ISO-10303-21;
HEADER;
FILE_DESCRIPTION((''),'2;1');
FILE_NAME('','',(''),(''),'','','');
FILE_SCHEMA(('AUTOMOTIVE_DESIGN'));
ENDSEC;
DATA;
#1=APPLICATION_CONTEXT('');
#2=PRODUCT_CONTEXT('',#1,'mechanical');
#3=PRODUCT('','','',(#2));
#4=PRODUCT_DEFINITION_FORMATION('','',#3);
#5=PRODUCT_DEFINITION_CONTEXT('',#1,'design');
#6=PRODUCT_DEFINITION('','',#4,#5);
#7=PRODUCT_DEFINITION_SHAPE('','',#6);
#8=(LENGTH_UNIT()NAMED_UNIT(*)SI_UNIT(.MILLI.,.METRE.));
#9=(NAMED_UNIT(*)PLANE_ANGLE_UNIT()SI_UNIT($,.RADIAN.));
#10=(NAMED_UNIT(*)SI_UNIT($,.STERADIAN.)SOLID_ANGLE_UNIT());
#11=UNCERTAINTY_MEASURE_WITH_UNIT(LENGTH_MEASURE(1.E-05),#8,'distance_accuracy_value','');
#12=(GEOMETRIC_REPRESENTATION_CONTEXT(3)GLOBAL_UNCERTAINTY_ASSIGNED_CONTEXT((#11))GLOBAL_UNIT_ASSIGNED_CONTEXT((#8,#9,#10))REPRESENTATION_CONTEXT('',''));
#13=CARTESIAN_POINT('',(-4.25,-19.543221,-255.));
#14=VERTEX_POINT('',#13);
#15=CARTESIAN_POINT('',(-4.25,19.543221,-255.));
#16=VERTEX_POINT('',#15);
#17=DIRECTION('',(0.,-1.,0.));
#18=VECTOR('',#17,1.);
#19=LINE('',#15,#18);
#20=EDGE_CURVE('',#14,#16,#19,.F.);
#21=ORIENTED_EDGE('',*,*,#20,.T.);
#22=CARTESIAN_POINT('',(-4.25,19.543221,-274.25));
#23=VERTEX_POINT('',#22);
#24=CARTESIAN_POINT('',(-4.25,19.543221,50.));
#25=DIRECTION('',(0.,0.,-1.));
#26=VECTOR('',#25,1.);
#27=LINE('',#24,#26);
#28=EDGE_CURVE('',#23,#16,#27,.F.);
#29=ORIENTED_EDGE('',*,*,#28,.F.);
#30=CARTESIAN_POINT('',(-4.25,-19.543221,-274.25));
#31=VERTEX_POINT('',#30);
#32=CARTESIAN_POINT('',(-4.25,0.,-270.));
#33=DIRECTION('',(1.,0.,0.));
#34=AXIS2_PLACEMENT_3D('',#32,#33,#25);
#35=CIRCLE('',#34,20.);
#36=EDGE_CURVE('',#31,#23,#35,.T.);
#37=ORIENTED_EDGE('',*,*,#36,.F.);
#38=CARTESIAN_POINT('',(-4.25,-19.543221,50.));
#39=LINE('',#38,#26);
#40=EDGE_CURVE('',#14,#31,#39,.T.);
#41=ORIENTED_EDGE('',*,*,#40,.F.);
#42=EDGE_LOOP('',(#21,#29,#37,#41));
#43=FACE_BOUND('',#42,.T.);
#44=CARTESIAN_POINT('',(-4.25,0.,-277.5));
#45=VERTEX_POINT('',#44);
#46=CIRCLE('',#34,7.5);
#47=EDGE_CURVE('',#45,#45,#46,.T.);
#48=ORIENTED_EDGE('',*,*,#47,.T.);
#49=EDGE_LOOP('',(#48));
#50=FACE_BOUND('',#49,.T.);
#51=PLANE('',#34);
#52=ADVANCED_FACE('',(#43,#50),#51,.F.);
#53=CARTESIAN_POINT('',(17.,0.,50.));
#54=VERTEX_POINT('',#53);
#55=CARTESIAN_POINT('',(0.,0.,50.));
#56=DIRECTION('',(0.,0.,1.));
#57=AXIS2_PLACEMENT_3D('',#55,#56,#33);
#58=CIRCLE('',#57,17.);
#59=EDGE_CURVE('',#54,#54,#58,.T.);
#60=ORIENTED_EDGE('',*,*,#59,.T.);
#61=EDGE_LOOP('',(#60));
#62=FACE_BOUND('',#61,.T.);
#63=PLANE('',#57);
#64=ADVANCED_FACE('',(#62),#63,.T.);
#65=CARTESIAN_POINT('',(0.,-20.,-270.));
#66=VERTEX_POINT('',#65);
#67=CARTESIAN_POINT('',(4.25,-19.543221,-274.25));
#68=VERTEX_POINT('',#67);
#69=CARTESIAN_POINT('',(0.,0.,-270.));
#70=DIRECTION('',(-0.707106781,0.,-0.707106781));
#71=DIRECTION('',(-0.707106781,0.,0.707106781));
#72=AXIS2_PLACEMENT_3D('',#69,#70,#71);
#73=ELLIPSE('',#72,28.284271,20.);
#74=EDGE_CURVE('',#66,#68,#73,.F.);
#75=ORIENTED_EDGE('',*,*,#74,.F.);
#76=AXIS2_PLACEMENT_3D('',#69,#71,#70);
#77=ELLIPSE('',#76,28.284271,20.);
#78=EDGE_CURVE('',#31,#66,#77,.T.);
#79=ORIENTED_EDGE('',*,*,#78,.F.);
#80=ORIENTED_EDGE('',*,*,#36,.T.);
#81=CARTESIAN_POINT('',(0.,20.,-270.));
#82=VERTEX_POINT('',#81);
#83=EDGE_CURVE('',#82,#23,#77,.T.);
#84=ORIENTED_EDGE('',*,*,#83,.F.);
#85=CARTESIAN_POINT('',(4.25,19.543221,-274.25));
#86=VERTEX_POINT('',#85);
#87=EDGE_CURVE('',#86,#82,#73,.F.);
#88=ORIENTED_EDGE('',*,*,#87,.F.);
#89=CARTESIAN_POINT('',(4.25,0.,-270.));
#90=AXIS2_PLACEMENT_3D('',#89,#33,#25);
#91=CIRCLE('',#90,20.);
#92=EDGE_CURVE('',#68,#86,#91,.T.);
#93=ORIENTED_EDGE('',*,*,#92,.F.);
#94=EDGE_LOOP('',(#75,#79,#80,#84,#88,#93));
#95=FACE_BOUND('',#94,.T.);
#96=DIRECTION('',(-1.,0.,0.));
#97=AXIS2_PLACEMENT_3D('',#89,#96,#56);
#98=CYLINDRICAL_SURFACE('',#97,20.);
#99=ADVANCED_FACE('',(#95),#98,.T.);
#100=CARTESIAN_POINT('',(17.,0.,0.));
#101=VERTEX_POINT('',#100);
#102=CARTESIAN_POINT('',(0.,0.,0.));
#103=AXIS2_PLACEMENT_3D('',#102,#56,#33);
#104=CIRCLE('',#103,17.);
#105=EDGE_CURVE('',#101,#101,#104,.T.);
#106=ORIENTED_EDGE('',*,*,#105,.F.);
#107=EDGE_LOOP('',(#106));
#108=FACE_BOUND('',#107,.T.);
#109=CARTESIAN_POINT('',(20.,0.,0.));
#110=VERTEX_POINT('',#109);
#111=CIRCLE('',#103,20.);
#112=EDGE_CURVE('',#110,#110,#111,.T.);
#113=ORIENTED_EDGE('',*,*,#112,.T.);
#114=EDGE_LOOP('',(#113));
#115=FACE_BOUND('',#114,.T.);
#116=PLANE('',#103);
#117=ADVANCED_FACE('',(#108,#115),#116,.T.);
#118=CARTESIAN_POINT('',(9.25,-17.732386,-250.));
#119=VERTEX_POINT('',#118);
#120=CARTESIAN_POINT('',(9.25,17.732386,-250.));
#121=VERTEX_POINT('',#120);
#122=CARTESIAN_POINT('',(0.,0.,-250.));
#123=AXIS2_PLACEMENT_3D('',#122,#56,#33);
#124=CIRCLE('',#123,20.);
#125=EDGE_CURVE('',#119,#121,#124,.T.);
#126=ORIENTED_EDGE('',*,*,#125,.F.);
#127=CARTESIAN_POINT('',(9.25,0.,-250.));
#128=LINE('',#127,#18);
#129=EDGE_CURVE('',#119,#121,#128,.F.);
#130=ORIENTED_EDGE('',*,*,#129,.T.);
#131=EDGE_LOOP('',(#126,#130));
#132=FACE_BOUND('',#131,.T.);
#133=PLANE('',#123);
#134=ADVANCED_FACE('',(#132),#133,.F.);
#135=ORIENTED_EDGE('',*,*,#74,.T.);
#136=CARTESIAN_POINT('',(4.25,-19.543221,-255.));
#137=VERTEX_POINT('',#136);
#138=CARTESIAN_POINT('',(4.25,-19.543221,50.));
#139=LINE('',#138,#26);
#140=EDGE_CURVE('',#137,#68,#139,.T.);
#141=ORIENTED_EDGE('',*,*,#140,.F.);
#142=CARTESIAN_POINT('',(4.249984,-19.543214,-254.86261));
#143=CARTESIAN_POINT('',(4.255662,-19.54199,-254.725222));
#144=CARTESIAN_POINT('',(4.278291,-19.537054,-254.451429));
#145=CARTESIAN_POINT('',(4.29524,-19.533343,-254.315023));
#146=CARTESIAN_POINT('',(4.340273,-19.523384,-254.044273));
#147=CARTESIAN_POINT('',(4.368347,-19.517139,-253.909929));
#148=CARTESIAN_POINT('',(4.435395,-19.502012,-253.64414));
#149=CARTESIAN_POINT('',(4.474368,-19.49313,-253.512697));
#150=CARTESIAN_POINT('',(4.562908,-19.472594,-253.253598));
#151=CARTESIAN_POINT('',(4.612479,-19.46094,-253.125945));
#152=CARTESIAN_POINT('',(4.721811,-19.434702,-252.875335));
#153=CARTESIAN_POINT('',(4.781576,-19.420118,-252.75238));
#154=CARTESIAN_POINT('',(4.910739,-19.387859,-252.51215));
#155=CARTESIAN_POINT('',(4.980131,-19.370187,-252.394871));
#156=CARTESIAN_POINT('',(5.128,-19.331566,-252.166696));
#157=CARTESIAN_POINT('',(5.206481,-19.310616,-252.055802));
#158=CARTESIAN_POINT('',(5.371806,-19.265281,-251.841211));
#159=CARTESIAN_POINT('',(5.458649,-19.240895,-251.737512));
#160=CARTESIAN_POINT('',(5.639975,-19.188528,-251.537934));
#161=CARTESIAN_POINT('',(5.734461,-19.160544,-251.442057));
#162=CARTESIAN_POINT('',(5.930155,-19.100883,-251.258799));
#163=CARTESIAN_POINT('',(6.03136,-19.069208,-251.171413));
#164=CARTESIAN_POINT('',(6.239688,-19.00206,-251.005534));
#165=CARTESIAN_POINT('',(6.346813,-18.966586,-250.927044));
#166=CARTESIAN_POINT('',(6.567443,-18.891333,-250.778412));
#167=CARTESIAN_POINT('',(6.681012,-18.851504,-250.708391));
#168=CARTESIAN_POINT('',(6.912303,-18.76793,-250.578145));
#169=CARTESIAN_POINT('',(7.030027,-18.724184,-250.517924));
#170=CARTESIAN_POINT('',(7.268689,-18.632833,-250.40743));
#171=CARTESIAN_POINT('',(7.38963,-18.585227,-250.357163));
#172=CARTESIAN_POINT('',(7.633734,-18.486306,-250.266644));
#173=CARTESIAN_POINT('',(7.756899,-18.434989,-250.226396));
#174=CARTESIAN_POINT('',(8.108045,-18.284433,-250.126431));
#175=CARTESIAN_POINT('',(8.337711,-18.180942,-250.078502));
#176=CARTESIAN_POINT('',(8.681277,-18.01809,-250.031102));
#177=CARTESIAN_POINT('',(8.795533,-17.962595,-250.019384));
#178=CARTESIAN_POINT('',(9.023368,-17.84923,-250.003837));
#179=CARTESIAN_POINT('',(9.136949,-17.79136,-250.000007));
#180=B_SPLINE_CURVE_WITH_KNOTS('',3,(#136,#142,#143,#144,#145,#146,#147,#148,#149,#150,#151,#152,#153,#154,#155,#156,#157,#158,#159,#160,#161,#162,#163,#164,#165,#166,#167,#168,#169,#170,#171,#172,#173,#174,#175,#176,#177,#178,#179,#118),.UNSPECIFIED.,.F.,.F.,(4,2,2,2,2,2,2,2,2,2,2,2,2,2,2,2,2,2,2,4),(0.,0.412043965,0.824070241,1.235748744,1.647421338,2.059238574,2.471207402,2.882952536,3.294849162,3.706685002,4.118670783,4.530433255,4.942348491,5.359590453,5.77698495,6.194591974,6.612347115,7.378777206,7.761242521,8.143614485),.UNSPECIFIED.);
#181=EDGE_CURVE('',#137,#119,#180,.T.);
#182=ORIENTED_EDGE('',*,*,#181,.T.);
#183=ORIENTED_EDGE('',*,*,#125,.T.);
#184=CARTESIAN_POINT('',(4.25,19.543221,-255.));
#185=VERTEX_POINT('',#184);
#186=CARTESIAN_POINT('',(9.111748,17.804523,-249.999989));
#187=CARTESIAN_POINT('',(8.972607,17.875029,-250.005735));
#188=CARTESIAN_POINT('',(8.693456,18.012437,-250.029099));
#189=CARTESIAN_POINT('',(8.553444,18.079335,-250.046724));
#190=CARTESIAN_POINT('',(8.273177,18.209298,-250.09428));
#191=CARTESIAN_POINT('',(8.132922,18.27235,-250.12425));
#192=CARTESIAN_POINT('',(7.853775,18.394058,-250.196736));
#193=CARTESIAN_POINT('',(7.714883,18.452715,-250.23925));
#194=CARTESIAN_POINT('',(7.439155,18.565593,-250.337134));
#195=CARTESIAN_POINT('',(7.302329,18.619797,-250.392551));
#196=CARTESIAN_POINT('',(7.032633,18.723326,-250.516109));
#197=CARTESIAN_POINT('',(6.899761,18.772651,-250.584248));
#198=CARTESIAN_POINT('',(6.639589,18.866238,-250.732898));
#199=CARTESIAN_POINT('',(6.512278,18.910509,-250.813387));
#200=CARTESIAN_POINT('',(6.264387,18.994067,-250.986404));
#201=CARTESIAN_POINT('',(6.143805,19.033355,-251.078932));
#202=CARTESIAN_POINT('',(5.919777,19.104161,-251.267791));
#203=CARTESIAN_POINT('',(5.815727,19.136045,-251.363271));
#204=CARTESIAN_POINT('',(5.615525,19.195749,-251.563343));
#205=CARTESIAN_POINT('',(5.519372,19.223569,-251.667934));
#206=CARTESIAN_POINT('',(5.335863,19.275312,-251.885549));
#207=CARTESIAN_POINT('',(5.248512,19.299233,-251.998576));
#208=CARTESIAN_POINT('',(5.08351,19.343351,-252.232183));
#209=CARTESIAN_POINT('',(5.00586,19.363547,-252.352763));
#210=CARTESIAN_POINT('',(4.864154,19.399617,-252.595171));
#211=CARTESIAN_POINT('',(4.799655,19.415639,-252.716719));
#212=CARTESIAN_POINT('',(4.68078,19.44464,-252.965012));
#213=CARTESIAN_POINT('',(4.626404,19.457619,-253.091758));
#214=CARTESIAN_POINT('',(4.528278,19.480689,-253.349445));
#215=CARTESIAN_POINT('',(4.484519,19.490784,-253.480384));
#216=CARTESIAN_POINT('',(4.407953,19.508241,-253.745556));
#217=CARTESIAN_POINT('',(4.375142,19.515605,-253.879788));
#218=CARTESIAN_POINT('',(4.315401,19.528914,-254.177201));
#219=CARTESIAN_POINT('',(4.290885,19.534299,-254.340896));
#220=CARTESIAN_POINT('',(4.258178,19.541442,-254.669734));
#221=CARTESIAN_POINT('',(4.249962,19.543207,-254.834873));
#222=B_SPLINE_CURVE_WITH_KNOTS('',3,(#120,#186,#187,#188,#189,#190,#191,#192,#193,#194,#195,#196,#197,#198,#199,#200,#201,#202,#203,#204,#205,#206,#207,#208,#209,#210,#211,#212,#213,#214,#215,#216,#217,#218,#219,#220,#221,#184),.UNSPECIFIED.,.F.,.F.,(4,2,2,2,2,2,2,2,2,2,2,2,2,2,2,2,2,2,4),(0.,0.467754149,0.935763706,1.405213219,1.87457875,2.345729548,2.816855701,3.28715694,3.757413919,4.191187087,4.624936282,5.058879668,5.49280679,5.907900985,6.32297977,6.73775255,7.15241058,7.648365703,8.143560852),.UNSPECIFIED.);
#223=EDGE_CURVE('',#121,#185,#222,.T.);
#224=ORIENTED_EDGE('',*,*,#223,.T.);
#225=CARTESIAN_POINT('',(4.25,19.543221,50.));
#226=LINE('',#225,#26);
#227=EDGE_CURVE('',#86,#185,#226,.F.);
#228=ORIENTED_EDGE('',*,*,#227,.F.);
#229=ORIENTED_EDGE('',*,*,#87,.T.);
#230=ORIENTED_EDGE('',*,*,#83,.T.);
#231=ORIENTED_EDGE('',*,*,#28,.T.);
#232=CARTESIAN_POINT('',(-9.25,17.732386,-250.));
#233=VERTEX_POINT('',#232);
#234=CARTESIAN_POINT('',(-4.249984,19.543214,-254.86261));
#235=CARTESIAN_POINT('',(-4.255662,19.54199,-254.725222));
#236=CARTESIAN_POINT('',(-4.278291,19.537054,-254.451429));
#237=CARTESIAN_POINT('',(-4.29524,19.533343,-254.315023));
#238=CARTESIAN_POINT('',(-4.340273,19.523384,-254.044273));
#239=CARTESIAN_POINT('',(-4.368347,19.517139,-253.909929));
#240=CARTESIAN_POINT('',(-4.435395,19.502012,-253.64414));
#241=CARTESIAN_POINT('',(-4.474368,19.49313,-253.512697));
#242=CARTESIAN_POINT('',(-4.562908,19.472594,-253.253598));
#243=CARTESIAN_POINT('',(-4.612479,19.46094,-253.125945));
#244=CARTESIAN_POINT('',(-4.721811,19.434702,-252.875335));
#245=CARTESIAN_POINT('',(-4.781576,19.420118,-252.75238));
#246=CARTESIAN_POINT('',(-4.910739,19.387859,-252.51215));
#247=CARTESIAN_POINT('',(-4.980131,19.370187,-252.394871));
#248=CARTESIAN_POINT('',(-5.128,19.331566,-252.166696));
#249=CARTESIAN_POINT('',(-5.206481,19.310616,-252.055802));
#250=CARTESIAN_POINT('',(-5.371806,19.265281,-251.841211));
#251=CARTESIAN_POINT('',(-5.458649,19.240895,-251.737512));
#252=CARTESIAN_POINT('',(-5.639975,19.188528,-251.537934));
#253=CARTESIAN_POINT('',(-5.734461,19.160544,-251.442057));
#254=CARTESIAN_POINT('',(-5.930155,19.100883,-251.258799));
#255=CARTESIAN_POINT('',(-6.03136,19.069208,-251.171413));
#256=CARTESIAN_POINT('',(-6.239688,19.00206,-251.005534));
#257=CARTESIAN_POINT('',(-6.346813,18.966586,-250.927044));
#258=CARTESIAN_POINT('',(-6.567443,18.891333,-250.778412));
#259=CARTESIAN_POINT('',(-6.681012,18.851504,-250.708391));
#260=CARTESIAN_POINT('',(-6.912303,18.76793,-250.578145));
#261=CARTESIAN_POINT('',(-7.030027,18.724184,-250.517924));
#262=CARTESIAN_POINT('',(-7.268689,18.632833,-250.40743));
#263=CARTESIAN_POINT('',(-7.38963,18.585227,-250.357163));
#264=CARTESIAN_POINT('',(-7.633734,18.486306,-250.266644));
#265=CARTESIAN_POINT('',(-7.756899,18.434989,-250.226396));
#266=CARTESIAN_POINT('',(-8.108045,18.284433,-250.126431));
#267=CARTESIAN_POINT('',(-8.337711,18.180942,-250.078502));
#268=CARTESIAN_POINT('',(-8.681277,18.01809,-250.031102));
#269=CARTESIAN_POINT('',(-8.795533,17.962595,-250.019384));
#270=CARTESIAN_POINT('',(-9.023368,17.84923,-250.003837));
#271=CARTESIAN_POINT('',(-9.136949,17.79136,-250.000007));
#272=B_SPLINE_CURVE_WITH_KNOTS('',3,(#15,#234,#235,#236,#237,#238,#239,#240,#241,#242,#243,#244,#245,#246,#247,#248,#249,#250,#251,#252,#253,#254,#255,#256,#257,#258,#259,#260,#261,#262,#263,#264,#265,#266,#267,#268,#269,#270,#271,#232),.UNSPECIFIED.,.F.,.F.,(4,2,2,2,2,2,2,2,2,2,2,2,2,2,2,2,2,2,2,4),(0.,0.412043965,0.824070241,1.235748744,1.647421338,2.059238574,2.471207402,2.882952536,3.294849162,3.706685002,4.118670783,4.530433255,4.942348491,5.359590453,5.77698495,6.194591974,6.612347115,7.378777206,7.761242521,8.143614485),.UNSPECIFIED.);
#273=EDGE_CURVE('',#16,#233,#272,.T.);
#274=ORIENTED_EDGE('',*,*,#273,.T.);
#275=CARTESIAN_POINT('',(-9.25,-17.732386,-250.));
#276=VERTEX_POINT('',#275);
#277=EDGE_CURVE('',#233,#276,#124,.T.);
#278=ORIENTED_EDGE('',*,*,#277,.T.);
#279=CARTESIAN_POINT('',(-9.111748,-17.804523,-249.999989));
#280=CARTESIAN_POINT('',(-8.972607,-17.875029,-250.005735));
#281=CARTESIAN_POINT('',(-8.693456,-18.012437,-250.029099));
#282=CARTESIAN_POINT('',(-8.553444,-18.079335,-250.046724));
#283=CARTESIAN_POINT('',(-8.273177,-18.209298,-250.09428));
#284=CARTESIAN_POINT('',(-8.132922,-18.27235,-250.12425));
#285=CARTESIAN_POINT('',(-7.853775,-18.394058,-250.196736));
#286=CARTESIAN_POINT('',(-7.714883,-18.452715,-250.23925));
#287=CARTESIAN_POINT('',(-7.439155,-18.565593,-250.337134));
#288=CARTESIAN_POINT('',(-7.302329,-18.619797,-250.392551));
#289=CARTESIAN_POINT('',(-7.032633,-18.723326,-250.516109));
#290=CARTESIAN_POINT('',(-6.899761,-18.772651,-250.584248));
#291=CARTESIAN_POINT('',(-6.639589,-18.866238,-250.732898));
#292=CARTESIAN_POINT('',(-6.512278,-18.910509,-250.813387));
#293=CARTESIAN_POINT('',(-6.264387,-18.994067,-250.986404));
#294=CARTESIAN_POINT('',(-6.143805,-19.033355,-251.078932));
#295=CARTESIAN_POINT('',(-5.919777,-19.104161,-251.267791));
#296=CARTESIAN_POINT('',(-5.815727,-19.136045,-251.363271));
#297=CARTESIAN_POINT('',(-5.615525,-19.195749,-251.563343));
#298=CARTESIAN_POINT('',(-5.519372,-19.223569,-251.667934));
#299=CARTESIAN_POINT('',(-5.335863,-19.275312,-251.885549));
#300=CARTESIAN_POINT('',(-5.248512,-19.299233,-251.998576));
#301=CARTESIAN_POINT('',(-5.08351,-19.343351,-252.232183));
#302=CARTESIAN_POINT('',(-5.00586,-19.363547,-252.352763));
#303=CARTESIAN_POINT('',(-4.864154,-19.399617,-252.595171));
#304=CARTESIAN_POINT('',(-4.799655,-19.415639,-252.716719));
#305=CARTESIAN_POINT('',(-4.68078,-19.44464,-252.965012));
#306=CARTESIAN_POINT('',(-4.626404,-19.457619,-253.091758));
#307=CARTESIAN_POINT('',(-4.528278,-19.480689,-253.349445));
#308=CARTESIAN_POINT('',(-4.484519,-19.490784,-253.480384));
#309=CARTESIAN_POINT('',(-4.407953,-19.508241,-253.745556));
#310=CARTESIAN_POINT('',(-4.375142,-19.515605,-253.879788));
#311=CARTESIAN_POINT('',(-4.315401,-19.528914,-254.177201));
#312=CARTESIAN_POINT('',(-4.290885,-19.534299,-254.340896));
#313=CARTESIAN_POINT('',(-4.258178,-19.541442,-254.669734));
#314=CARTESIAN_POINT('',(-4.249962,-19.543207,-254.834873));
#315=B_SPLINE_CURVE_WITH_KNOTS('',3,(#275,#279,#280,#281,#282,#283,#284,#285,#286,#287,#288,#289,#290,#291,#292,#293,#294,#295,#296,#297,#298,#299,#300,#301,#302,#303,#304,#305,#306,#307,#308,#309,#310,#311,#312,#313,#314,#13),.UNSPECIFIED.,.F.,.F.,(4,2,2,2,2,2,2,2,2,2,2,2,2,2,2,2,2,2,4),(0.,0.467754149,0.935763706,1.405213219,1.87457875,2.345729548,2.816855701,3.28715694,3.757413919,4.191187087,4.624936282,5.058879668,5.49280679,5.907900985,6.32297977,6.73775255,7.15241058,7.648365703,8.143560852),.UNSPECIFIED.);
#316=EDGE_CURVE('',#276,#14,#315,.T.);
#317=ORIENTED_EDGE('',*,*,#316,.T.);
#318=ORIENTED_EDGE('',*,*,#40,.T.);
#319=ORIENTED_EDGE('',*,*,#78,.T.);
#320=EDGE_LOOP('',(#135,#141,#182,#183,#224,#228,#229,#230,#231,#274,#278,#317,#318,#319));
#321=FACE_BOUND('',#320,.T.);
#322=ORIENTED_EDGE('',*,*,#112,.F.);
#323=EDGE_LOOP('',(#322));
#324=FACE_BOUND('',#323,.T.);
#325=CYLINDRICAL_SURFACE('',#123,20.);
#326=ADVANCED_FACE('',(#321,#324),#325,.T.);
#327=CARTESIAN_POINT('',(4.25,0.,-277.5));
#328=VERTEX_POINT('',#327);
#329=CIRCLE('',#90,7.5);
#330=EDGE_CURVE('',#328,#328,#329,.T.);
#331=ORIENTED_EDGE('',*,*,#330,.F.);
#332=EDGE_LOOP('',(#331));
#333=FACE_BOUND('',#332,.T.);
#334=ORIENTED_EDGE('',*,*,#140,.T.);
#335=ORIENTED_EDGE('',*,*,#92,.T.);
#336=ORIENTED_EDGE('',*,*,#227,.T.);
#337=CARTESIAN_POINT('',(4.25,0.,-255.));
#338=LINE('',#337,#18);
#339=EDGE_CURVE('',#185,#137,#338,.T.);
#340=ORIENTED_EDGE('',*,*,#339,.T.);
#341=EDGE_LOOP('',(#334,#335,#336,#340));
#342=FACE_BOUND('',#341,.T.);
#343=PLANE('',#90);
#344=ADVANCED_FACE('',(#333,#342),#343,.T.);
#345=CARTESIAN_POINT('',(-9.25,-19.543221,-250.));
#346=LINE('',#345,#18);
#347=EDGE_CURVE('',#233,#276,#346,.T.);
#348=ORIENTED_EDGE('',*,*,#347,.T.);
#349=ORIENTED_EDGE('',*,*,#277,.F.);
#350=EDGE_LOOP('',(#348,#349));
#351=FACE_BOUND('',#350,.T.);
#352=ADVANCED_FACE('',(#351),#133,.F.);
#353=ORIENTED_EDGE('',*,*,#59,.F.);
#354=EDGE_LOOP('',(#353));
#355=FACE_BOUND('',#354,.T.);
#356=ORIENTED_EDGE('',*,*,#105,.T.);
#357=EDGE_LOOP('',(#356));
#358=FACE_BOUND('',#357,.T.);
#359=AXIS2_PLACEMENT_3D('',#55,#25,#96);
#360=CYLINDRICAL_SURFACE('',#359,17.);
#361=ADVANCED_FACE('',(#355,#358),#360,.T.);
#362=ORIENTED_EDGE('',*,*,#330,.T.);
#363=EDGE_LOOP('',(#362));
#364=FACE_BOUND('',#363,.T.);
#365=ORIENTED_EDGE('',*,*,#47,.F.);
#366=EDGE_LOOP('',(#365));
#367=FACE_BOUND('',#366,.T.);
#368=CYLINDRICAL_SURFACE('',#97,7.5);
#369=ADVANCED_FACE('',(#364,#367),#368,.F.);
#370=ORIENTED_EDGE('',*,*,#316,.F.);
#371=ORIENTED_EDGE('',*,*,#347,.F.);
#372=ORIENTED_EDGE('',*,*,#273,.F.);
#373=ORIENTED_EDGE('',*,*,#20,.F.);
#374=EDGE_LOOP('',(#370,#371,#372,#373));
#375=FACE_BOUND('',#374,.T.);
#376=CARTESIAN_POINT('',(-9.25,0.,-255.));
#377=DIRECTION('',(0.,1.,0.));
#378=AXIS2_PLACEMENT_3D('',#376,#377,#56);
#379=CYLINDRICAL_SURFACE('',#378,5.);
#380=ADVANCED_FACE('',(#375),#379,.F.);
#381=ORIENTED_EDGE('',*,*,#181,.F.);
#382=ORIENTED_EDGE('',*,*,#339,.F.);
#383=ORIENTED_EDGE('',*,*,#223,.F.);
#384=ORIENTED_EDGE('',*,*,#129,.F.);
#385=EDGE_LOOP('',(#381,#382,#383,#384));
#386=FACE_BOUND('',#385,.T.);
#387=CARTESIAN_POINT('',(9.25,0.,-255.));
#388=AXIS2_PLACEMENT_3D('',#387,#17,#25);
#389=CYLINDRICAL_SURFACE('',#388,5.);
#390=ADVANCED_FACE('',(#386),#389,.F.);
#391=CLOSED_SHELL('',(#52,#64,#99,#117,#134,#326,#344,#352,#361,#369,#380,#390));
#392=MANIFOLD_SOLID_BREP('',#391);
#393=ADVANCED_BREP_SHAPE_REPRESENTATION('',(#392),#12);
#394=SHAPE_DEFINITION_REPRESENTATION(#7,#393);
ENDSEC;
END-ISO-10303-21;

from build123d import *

# Parameters (mm, degrees)
SKETCH5_R               = 20
BOSS_EXTRUDE4_DEPTH     = 250
SKETCH6_R               = 17
BOSS_EXTRUDE5_DEPTH     = 50
SKETCH7_R               = 7.5
BOSS_EXTRUDE6_DEPTH     = 4.25
CUT_EXTRUDE1_DEPTH      = 302.330383466
CUT_EXTRUDE1_DEPTH_BACK = 302.330383466
SKETCH8_OUTSIDE_W       = 110.934
SKETCH8_OUTSIDE_H       = 110.934
SKETCH8_OUTSIDE_R       = 20
FILLET1_R               = 5


with BuildPart() as part:
    # Sketch5 → Boss-Extrude4 (new body)
    with BuildSketch(Plane.XY):
        Circle(SKETCH5_R)
    extrude(amount=-BOSS_EXTRUDE4_DEPTH)

    # Sketch6 → Boss-Extrude5 (add)
    with BuildSketch(Plane.XY):
        Circle(SKETCH6_R)
    extrude(amount=BOSS_EXTRUDE5_DEPTH)

    # Sketch7 → Boss-Extrude6 (add, symmetric)
    with BuildSketch(Plane(origin=(0, 0, 0), x_dir=(0, 0, -1), z_dir=(1, 0, 0))):
        with BuildLine():
            Line((250, 20), (270, 20))
            ThreePointArc((270, 20), (290, 0), (270, -20))
            Line((270, -20), (250, -20))
            Line((250, -20), (250, 20))
        make_face()
        with Locations((270, 0)):
            Circle(SKETCH7_R, mode=Mode.SUBTRACT)
    extrude(amount=BOSS_EXTRUDE6_DEPTH, both=True)

    # Sketch8 outside → Cut-Extrude1 (cut, two sides: drawn at the far end of the back side and taken through both)
    with BuildSketch(Plane(origin=(0, 0, -250), x_dir=(-1, 0, 0), z_dir=(0, 0, -1)).offset(-CUT_EXTRUDE1_DEPTH_BACK)):
        Rectangle(SKETCH8_OUTSIDE_W, SKETCH8_OUTSIDE_H)
        with Locations(Location((0, 0, 0), (0, 0, 180))):
            Circle(SKETCH8_OUTSIDE_R, mode=Mode.SUBTRACT)
    extrude(amount=CUT_EXTRUDE1_DEPTH + CUT_EXTRUDE1_DEPTH_BACK, mode=Mode.SUBTRACT)

    # Fillet1
    fillet1_edges = [part.edges().sort_by_distance(p)[0] for p in [
        (4.25, 0, -250),
        (-4.25, 0, -250),
    ]]
    fillet(fillet1_edges, radius=FILLET1_R)


solid = part.part
